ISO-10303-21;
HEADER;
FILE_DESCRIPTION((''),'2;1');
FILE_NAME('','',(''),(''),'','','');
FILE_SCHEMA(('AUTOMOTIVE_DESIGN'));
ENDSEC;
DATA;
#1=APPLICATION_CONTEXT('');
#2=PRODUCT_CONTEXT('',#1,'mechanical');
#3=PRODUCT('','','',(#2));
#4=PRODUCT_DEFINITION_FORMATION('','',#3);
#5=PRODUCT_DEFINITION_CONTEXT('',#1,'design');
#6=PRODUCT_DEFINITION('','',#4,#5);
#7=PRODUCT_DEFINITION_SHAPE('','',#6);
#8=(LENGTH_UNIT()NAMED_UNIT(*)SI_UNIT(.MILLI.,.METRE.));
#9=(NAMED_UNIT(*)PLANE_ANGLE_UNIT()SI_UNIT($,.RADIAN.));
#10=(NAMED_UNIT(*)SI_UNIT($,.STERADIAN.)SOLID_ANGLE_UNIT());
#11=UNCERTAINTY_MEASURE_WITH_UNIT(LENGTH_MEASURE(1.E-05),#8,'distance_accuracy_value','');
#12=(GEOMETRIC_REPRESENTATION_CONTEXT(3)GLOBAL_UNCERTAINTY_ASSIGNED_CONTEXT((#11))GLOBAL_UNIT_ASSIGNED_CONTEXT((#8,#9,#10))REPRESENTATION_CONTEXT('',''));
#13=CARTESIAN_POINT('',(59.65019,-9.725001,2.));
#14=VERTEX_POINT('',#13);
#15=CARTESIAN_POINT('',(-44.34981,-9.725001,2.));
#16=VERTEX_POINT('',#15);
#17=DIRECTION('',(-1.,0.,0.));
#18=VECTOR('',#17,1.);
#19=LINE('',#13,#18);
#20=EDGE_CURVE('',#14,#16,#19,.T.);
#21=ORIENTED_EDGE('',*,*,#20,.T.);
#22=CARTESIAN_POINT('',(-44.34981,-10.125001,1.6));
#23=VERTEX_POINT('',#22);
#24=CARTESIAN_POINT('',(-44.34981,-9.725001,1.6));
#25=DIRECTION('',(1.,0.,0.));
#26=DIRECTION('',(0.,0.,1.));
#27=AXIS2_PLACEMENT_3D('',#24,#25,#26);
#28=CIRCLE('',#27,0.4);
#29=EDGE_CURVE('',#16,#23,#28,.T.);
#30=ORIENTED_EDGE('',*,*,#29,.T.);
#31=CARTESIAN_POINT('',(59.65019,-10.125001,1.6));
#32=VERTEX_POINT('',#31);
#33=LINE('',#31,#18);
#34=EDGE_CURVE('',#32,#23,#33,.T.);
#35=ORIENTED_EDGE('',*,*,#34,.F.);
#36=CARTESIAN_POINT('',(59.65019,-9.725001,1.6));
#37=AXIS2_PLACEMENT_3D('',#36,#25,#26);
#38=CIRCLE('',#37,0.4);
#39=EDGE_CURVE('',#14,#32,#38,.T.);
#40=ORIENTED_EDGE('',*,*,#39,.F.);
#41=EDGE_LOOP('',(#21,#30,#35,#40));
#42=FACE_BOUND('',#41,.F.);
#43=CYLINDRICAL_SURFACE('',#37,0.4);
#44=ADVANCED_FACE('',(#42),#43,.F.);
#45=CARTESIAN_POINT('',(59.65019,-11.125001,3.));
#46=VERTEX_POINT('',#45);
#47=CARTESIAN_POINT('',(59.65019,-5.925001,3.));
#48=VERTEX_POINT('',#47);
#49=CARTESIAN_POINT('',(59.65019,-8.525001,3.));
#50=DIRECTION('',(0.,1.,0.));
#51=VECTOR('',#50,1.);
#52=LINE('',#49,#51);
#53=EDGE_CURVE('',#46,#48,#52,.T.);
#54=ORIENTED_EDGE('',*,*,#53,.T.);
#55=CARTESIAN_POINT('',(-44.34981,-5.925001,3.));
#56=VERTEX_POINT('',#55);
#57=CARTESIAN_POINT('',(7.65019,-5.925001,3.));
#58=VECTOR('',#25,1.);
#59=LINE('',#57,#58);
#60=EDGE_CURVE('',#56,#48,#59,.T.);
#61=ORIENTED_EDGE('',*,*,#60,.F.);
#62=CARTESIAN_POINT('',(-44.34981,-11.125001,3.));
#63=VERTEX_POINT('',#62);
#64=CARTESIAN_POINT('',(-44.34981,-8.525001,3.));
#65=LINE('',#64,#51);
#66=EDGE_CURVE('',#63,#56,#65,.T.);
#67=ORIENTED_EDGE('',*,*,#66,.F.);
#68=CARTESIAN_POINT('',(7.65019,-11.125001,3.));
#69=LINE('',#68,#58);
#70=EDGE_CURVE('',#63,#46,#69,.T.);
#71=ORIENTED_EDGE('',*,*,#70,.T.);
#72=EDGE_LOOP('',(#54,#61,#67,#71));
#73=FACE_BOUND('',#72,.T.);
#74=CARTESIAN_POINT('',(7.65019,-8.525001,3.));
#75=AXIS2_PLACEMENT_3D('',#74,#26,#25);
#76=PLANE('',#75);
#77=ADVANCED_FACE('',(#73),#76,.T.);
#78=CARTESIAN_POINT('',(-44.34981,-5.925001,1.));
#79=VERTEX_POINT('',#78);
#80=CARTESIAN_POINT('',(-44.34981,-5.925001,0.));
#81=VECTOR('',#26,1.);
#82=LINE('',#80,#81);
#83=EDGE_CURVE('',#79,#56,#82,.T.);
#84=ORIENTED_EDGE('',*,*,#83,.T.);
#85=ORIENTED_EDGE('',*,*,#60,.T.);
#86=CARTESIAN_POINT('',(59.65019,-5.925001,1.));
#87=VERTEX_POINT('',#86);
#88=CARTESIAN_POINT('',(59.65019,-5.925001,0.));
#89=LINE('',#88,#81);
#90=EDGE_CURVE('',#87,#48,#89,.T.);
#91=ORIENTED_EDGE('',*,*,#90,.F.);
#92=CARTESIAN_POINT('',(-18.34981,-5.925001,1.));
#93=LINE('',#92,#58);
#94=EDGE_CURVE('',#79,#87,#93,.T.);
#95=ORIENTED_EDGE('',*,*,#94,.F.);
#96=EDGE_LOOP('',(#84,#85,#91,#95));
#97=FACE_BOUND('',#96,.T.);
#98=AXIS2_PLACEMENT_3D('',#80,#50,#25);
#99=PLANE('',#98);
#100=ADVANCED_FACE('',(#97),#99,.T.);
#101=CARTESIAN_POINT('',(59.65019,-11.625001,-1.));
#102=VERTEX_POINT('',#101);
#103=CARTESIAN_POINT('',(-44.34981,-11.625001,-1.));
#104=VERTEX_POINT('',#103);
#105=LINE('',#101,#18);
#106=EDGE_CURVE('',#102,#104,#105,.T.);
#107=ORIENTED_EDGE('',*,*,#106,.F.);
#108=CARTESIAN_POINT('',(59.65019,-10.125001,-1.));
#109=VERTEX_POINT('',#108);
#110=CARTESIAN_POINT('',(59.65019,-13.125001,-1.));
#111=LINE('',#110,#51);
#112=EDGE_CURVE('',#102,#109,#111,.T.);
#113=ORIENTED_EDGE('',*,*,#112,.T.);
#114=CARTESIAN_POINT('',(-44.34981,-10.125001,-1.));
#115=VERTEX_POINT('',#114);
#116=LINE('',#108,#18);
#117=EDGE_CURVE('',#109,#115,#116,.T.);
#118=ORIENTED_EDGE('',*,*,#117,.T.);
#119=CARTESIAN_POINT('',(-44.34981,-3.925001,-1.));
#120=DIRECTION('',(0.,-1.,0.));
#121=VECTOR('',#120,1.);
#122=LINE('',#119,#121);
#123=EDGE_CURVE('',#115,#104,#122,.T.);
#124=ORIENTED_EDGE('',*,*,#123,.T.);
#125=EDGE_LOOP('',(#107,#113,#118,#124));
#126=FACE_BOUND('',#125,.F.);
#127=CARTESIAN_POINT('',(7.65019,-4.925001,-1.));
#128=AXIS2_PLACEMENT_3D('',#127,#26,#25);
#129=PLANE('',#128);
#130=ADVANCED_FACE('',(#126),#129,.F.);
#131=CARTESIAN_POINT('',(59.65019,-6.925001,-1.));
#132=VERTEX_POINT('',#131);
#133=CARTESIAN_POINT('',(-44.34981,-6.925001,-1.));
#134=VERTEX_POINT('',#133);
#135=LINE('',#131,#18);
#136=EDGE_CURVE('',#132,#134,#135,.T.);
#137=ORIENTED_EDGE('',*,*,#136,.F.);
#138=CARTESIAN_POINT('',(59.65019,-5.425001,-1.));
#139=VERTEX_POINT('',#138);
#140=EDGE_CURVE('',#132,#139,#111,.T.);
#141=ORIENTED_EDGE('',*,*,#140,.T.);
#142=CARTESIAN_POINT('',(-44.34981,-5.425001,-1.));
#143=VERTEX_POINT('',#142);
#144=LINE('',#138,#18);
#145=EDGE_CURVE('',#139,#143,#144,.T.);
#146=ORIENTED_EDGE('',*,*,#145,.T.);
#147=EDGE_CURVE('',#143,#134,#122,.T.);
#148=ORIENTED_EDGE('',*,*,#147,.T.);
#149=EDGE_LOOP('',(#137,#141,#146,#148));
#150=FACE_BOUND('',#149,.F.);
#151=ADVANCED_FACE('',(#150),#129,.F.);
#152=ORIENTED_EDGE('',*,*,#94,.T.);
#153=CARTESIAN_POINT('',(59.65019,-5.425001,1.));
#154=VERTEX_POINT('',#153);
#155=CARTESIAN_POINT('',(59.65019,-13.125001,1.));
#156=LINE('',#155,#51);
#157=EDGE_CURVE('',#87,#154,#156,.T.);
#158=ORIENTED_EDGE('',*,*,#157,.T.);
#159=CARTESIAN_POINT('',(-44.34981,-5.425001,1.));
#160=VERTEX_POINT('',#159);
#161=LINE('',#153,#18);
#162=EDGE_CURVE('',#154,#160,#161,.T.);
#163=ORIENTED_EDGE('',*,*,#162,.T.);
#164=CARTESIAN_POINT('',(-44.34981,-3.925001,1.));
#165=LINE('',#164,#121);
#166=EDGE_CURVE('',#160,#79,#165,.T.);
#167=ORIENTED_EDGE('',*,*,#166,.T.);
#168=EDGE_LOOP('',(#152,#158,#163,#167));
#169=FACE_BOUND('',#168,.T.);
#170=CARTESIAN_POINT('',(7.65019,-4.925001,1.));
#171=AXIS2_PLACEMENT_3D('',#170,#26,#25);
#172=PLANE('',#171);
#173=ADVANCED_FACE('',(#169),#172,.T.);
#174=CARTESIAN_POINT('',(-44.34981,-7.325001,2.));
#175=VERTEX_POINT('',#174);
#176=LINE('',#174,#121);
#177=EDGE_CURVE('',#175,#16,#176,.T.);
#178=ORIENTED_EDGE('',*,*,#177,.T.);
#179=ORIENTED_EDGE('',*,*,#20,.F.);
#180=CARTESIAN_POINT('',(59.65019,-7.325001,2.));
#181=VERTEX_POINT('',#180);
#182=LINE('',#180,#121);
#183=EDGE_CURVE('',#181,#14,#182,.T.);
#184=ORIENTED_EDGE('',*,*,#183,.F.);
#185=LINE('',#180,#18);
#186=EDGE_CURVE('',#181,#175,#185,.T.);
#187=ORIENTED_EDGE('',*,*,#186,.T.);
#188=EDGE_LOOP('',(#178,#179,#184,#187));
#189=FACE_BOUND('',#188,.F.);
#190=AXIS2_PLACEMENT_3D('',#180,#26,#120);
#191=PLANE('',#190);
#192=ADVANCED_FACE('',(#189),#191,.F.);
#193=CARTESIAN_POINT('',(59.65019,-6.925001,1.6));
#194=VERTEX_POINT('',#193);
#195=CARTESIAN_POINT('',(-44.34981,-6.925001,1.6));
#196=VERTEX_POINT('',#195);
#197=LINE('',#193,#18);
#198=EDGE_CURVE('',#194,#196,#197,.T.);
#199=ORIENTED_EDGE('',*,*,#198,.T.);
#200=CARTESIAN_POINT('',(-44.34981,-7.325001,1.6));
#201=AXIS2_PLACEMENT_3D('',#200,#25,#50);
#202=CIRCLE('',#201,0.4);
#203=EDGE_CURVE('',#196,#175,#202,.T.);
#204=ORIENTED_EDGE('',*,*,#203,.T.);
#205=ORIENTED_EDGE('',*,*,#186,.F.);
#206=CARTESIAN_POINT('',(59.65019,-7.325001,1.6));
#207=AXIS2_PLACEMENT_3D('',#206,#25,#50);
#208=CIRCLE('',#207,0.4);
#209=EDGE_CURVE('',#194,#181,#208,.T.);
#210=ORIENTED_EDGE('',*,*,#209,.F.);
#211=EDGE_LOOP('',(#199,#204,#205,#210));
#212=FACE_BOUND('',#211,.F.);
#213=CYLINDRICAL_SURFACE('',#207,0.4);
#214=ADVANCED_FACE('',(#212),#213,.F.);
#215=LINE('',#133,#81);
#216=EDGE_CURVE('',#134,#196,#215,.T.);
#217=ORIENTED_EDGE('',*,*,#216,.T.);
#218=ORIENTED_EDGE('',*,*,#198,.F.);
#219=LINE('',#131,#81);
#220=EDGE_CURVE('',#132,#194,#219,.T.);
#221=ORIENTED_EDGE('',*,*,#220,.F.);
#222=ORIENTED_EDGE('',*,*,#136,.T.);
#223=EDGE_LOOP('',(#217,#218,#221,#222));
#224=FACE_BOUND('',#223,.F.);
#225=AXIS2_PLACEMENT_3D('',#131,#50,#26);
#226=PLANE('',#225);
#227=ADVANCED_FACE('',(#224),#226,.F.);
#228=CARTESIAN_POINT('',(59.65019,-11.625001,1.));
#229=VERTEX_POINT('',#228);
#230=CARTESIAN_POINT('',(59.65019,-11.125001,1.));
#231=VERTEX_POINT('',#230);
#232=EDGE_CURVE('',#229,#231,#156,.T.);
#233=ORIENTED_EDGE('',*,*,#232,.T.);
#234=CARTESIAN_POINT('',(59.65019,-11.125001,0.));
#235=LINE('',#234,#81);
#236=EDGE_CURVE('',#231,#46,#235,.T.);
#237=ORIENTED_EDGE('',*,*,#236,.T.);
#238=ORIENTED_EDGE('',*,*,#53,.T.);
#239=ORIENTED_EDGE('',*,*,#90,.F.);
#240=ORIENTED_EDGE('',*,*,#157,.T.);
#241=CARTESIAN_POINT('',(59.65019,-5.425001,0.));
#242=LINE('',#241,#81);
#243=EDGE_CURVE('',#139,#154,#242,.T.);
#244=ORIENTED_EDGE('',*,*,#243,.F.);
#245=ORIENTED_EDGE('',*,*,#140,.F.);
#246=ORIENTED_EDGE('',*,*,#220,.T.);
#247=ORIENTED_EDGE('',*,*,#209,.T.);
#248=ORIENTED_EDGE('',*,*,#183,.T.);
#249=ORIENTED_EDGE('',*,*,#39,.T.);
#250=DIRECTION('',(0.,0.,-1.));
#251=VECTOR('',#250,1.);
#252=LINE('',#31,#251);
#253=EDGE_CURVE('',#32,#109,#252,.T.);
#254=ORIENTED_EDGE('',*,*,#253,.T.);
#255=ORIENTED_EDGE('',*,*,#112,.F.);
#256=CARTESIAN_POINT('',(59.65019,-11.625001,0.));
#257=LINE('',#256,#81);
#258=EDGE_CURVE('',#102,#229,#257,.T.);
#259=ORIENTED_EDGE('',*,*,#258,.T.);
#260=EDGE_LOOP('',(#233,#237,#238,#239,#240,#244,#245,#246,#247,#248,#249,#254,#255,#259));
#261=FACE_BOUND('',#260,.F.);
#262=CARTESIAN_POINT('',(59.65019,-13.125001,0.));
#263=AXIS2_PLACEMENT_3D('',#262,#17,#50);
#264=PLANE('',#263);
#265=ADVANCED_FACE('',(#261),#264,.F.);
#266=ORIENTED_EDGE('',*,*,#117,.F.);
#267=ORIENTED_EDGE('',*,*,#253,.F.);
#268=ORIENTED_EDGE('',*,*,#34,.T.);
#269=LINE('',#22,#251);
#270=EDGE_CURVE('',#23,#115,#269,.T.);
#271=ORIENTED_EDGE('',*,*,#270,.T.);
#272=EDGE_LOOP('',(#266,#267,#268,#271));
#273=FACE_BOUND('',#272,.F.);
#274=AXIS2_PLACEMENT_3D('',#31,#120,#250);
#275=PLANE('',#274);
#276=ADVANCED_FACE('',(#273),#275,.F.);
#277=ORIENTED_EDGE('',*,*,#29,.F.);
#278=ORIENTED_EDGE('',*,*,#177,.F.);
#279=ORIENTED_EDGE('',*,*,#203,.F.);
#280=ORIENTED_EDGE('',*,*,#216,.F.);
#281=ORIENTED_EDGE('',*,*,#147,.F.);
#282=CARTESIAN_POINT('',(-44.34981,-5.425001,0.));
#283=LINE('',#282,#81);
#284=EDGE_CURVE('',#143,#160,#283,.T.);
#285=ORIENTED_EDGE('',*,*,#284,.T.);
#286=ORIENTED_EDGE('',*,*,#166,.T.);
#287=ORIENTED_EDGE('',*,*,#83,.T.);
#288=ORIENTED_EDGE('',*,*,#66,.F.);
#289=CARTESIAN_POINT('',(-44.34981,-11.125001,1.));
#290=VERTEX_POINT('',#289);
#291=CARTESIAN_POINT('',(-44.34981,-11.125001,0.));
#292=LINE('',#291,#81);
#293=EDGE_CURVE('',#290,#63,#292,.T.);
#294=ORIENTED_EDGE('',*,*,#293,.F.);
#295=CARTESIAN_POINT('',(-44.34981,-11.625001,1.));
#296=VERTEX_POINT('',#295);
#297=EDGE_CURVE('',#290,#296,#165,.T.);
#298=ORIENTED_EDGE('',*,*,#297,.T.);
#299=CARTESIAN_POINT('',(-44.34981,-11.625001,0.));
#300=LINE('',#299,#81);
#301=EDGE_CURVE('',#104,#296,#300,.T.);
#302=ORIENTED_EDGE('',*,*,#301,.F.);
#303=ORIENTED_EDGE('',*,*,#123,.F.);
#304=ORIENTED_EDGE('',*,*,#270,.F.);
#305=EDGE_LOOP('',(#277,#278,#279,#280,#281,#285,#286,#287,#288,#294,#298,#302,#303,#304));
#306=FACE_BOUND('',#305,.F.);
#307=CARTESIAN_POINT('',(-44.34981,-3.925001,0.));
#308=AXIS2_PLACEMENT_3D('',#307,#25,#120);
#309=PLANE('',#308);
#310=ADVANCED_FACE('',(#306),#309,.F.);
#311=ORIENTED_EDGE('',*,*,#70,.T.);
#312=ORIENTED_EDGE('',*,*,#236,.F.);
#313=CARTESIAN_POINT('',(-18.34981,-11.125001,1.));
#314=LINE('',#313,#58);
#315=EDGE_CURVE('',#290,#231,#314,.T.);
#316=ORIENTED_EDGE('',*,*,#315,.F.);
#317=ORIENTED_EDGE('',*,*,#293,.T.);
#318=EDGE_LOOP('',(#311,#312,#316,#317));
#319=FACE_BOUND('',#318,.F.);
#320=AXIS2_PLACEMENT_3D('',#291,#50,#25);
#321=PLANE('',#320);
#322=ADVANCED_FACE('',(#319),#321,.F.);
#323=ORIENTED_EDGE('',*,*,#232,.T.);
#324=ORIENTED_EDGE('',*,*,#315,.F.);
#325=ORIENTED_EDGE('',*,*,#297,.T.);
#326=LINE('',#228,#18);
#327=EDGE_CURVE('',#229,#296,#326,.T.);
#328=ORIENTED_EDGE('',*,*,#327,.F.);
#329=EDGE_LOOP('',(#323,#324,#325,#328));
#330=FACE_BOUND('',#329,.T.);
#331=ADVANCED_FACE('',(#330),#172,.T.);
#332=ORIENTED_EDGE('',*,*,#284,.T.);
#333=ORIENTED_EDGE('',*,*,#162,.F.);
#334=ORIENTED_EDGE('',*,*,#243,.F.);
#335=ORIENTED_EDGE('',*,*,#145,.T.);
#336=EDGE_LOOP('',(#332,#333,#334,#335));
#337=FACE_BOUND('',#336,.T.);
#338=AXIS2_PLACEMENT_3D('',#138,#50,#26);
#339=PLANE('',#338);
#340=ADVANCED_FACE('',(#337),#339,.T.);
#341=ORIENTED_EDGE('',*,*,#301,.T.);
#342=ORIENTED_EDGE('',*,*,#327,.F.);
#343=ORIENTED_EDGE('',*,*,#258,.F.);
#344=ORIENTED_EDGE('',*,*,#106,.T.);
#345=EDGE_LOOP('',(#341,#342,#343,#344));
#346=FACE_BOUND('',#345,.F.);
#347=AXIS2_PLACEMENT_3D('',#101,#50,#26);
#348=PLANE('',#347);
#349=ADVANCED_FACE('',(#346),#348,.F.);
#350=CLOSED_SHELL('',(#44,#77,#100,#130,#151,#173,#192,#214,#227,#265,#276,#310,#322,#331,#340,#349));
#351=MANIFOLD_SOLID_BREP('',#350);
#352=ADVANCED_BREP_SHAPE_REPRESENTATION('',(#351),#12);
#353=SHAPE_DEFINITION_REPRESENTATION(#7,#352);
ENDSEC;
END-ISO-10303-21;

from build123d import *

# Parameters (mm, degrees)
F0_W          = 104
F0_H          = 5.2
F1_DEPTH      = 3
F0_H_2        = 2
F2_DEPTH      = 1
F2_DEPTH_BACK = 1
F3_W          = 1.5
F3_H          = 2
F4_DEPTH      = 104


with BuildPart() as f1:
    # F0 (on Top) → F1 (new body)
    with BuildSketch(Plane.XY):
        with Locations((7.6501901746, -8.5250005215)):
            Rectangle(F0_W, F0_H)
    extrude(amount=F1_DEPTH)

    # F0 (on Top) → F2 (join, two sides)
    with BuildSketch(Plane.XY) as f2_sk:
        with Locations((7.6501901746, -4.9250005215)):
            Rectangle(F0_W, F0_H_2)
        with Locations((7.6501901746, -8.5250005215)):
            Rectangle(F0_W, F0_H)
        with Locations((7.6501901746, -12.1250005215)):
            Rectangle(F0_W, F0_H_2)
    extrude(amount=-F2_DEPTH)
    extrude(f2_sk.sketch, amount=F2_DEPTH_BACK)

    # F3 (on face) → F4 (cut)
    with BuildSketch(Plane.YZ.offset(59.6501901746)):
        with Locations((-12.3750005215, 0)):
            Rectangle(F3_W, F3_H)
        with BuildLine():
            Line((-10.1250005215, -1), (-6.9250005215, -1))
            Line((-6.9250005215, -1), (-6.9250005215, 1.6))
            ThreePointArc((-6.9250005215, 1.6), (-7.0421578091, 1.8828427125), (-7.3250005215, 2))
            Line((-7.3250005215, 2), (-9.7250005215, 2))
            ThreePointArc((-9.7250005215, 2), (-10.007843234, 1.8828427125), (-10.1250005215, 1.6))
            Line((-10.1250005215, 1.6), (-10.1250005215, -1))
        make_face()
        with Locations((-4.6750005215, 0)):
            Rectangle(F3_W, F3_H)
    extrude(amount=-F4_DEPTH, mode=Mode.SUBTRACT)


solid = f1.part
